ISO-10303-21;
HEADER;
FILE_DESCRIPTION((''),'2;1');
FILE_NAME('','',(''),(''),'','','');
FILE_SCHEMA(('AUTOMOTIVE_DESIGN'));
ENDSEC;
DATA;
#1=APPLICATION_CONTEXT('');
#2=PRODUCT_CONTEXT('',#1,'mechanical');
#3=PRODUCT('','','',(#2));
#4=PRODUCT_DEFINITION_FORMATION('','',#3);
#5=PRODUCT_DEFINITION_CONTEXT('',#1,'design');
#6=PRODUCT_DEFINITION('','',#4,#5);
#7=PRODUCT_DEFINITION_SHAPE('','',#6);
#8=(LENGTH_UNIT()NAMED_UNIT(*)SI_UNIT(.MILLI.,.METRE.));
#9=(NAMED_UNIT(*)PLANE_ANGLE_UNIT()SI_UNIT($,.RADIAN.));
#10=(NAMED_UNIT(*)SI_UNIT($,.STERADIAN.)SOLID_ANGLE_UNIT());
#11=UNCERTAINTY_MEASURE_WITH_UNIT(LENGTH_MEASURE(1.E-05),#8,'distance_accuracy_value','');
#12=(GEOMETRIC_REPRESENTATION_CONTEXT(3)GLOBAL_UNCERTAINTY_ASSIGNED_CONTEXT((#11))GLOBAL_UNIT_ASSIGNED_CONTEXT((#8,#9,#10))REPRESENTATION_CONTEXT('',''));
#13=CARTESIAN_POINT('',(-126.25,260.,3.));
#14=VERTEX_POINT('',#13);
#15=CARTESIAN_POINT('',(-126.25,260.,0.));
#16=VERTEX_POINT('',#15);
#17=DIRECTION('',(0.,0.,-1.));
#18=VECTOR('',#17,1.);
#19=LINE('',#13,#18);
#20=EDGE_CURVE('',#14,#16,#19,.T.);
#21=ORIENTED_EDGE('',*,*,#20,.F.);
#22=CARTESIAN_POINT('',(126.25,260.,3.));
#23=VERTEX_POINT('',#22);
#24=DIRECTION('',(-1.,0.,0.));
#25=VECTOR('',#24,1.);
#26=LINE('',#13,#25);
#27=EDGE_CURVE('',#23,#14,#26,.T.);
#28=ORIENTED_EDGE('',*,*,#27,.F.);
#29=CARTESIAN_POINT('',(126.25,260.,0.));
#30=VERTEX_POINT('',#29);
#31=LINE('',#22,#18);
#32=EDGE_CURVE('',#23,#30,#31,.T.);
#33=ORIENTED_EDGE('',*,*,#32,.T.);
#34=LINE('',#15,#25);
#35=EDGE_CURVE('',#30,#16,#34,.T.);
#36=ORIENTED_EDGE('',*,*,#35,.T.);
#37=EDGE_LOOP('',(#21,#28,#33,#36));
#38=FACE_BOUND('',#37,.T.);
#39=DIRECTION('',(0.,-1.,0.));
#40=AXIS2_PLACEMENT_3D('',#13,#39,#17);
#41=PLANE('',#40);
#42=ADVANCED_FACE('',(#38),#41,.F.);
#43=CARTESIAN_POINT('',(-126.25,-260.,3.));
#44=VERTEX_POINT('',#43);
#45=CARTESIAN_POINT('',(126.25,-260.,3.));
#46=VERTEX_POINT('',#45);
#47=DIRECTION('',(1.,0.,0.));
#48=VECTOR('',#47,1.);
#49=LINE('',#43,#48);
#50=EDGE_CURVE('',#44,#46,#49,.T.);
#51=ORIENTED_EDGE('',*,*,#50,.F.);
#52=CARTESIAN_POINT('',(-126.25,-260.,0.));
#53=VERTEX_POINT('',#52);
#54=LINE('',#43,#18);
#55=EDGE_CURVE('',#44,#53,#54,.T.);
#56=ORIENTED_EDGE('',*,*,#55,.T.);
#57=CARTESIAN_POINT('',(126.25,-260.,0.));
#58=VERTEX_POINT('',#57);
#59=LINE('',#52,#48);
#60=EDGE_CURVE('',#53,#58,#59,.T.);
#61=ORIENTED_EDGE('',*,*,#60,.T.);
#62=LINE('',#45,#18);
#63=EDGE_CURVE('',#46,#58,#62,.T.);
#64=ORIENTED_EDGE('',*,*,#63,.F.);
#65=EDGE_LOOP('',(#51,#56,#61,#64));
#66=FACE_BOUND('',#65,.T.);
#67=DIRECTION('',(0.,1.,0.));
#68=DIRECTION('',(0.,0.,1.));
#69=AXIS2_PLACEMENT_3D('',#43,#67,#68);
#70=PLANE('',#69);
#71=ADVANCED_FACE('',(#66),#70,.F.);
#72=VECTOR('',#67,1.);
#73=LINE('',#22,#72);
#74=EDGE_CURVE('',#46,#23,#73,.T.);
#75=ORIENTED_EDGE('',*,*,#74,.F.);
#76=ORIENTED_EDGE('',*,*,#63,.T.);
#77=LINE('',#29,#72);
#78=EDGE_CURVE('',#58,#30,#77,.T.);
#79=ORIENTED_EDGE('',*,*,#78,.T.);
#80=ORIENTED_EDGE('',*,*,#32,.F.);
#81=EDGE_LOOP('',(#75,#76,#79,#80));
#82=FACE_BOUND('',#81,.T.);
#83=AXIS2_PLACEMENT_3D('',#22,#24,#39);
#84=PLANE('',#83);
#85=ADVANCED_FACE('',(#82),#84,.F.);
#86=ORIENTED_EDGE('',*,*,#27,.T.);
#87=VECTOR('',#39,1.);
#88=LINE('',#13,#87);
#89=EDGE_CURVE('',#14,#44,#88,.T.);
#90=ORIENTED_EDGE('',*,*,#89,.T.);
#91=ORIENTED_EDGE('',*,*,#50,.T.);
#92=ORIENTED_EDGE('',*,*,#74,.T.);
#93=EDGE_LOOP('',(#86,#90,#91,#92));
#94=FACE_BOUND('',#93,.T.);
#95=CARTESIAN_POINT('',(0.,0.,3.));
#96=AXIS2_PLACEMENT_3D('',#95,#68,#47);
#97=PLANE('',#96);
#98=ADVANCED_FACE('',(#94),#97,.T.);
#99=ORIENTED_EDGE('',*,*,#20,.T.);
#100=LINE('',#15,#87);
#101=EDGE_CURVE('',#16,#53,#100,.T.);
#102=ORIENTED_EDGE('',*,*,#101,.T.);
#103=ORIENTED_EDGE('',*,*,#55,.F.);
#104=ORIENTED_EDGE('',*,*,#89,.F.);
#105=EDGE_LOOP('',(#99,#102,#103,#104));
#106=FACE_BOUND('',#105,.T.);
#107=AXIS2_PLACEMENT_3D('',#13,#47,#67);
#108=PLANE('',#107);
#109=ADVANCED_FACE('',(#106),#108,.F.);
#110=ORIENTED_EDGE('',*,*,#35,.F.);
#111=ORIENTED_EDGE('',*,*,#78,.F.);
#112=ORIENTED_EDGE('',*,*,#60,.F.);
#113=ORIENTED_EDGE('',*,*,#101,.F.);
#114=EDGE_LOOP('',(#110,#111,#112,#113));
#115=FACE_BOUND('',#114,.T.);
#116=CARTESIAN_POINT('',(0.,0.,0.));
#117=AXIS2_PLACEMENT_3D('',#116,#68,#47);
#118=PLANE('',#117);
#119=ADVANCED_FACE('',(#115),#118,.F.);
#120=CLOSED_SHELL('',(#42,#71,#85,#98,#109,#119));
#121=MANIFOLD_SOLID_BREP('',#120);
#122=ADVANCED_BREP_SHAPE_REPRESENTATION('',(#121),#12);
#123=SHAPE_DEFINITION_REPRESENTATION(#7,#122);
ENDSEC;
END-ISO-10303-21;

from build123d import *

# Parameters (mm, degrees)
SKICA1_W                = 252.5
SKICA1_H                = 520
P_IDAT_VYSUNUT_M1_DEPTH = 3


with BuildPart() as part:
    # Skica1 → Přidat vysunutím1 (new body)
    with BuildSketch(Plane.XY):
        Rectangle(SKICA1_W, SKICA1_H)
    extrude(amount=P_IDAT_VYSUNUT_M1_DEPTH)


solid = part.part
